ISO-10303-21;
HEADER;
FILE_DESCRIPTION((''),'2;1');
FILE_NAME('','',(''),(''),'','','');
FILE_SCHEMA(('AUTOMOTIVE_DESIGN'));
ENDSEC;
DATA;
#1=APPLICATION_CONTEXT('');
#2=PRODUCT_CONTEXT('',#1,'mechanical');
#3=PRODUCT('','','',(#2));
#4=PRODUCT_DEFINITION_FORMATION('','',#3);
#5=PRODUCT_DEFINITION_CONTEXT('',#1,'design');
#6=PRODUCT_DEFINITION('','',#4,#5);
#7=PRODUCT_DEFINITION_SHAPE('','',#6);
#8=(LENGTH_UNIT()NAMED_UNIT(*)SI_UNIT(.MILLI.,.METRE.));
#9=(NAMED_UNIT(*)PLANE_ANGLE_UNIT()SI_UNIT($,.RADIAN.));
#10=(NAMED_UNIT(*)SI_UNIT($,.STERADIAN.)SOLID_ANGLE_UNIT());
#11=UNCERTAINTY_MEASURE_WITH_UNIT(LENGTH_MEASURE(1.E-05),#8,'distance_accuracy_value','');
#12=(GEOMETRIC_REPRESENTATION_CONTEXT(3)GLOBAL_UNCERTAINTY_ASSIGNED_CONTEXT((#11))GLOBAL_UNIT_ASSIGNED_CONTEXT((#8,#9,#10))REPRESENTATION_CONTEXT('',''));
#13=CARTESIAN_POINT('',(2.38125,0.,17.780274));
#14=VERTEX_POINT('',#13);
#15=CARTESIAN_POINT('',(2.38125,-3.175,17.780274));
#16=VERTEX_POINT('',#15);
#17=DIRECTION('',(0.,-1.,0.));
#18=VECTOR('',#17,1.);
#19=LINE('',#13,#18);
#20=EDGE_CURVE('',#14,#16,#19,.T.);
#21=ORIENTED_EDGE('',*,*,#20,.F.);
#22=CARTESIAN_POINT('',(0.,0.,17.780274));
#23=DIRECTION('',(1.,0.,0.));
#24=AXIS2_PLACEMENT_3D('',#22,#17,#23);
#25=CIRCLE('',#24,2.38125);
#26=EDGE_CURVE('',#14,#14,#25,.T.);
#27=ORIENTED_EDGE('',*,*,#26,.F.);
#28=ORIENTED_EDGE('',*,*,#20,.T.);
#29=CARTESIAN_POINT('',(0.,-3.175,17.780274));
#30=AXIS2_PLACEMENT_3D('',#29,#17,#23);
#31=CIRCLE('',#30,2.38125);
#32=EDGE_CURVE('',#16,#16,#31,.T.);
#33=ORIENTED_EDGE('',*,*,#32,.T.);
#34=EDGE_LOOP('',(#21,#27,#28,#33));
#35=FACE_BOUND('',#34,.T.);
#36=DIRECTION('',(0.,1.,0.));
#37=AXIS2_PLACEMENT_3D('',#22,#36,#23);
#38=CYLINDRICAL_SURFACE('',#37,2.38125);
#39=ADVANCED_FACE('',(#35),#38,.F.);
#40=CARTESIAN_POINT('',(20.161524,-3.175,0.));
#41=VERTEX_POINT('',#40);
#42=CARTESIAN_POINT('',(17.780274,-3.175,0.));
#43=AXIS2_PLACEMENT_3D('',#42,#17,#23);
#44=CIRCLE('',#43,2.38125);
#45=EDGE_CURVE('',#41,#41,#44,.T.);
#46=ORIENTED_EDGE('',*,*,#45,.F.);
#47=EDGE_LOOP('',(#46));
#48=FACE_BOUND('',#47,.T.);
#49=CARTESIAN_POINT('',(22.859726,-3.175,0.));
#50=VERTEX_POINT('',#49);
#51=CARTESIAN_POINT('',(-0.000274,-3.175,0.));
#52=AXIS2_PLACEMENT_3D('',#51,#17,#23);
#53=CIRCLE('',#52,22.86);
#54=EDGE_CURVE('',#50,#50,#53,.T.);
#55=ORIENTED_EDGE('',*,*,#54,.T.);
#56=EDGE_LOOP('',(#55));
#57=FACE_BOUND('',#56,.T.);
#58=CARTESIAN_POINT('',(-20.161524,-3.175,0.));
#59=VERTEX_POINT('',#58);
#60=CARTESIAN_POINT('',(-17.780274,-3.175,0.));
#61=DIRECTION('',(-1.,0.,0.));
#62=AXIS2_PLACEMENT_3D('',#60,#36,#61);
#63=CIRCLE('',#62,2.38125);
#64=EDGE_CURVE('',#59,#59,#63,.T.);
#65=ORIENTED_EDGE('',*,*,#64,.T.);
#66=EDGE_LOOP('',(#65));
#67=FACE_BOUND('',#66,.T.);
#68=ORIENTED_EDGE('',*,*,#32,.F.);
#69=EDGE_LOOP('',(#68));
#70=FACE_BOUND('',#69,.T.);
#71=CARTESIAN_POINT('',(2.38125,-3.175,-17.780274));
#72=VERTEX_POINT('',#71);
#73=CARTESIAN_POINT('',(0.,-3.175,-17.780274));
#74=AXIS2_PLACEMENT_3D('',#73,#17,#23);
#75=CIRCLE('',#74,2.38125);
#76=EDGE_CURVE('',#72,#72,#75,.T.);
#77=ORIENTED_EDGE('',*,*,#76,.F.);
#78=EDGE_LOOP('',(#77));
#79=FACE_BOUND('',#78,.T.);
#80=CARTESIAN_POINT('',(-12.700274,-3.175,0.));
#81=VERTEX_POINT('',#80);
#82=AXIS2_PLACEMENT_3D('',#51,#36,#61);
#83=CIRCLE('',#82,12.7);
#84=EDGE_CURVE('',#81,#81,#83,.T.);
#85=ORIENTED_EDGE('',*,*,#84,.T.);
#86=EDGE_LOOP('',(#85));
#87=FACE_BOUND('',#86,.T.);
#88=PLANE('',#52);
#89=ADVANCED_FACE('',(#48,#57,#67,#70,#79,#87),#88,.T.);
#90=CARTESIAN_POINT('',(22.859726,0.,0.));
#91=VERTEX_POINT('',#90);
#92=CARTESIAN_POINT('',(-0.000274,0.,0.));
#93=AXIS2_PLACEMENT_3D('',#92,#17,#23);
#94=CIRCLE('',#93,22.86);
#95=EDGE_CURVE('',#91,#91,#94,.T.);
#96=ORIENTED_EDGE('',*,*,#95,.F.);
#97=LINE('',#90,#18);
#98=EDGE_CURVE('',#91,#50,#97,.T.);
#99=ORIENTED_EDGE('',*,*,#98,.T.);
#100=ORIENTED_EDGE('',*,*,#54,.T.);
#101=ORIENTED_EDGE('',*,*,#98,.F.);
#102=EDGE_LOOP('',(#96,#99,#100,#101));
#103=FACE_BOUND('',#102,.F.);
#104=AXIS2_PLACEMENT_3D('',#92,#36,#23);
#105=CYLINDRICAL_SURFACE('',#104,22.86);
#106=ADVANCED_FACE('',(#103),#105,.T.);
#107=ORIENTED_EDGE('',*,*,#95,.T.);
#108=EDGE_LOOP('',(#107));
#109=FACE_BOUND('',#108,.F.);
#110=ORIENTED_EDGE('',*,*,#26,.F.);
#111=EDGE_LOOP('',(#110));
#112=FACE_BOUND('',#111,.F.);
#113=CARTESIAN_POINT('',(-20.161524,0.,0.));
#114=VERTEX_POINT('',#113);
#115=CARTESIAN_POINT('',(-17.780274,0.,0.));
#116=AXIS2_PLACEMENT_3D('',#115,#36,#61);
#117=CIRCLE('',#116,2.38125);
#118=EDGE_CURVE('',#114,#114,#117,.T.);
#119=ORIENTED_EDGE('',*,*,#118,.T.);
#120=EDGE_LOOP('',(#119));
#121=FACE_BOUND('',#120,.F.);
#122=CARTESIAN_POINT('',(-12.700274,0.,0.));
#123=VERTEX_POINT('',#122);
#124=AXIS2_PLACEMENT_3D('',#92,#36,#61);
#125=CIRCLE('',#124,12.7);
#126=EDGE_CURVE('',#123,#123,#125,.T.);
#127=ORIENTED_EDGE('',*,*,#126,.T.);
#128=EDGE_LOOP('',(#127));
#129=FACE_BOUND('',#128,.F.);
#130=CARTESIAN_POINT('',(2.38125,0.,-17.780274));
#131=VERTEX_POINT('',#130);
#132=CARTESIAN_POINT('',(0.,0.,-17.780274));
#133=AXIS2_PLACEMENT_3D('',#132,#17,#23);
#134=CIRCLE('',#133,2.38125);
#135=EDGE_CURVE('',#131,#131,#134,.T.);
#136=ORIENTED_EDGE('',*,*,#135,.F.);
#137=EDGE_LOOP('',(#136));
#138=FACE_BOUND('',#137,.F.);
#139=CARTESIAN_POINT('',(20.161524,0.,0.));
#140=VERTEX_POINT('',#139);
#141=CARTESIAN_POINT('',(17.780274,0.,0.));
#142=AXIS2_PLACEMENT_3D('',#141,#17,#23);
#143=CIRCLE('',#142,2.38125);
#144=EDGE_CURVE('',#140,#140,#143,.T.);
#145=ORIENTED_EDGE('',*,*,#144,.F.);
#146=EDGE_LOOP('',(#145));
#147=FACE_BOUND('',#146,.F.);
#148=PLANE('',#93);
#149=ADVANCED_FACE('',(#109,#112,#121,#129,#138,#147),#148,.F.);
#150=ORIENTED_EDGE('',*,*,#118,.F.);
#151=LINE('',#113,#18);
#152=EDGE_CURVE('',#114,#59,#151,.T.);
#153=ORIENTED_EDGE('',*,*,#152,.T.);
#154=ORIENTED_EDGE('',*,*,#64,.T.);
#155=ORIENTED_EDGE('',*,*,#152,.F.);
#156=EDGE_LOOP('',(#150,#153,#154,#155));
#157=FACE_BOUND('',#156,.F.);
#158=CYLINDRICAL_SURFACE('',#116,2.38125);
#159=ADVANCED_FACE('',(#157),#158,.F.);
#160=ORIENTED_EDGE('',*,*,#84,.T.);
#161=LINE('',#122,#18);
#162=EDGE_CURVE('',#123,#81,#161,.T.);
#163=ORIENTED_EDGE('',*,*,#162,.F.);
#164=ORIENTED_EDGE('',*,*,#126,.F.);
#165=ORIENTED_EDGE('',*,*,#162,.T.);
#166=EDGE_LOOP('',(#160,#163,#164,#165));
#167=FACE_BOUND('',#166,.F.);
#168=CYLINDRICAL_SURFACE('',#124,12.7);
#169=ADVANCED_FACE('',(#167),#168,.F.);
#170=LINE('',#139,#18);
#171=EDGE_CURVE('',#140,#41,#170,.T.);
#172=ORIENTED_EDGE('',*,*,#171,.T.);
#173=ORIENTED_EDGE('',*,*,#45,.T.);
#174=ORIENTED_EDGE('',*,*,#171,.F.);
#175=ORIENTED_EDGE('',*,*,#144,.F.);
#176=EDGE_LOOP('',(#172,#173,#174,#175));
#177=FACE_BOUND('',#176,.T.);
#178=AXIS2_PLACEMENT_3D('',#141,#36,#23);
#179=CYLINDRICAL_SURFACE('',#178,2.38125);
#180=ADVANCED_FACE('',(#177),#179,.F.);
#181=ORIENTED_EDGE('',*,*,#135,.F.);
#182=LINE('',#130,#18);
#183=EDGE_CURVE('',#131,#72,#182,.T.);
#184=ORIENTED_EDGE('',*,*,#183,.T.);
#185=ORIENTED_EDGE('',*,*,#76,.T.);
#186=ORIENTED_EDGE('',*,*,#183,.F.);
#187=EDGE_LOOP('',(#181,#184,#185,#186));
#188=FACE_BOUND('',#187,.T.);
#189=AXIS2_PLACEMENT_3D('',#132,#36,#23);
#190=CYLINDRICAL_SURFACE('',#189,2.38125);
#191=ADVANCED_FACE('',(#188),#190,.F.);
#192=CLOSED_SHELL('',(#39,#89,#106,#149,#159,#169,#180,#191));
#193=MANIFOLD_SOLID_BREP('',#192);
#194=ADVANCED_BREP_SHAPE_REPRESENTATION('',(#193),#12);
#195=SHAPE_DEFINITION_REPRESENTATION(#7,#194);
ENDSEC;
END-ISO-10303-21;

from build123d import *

# Parameters (mm, degrees)
F0_R     = 2.38125
F1_DEPTH = 3.175


with BuildPart() as f1:
    # F0 (on Front) → F1 (new body)
    with BuildSketch(Plane.XZ):
        with BuildLine():
            ThreePointArc((-22.860274, 0), (-0.000274, -22.86), (22.859726, 0))
            ThreePointArc((22.859726, 0), (-0.000274, 22.86), (-22.860274, 0))
        make_face()
        with Locations((0, -17.780274)):
            Circle(F0_R, mode=Mode.SUBTRACT)
        with BuildLine():
            ThreePointArc((-15.399024, 0), (-17.780274, -2.38125), (-20.161524, 0))
            ThreePointArc((-20.161524, 0), (-17.780274, 2.38125), (-15.399024, 0))
        make_face(mode=Mode.SUBTRACT)
        with BuildLine():
            ThreePointArc((12.699726, 0), (-0.000274, -12.7), (-12.700274, 0))
            ThreePointArc((-12.700274, 0), (-0.000274, 12.7), (12.699726, 0))
        make_face(mode=Mode.SUBTRACT)
        with Locations((17.780274, 0)):
            Circle(F0_R, mode=Mode.SUBTRACT)
        with Locations((0, 17.780274)):
            Circle(F0_R, mode=Mode.SUBTRACT)
    extrude(amount=F1_DEPTH)


solid = f1.part
